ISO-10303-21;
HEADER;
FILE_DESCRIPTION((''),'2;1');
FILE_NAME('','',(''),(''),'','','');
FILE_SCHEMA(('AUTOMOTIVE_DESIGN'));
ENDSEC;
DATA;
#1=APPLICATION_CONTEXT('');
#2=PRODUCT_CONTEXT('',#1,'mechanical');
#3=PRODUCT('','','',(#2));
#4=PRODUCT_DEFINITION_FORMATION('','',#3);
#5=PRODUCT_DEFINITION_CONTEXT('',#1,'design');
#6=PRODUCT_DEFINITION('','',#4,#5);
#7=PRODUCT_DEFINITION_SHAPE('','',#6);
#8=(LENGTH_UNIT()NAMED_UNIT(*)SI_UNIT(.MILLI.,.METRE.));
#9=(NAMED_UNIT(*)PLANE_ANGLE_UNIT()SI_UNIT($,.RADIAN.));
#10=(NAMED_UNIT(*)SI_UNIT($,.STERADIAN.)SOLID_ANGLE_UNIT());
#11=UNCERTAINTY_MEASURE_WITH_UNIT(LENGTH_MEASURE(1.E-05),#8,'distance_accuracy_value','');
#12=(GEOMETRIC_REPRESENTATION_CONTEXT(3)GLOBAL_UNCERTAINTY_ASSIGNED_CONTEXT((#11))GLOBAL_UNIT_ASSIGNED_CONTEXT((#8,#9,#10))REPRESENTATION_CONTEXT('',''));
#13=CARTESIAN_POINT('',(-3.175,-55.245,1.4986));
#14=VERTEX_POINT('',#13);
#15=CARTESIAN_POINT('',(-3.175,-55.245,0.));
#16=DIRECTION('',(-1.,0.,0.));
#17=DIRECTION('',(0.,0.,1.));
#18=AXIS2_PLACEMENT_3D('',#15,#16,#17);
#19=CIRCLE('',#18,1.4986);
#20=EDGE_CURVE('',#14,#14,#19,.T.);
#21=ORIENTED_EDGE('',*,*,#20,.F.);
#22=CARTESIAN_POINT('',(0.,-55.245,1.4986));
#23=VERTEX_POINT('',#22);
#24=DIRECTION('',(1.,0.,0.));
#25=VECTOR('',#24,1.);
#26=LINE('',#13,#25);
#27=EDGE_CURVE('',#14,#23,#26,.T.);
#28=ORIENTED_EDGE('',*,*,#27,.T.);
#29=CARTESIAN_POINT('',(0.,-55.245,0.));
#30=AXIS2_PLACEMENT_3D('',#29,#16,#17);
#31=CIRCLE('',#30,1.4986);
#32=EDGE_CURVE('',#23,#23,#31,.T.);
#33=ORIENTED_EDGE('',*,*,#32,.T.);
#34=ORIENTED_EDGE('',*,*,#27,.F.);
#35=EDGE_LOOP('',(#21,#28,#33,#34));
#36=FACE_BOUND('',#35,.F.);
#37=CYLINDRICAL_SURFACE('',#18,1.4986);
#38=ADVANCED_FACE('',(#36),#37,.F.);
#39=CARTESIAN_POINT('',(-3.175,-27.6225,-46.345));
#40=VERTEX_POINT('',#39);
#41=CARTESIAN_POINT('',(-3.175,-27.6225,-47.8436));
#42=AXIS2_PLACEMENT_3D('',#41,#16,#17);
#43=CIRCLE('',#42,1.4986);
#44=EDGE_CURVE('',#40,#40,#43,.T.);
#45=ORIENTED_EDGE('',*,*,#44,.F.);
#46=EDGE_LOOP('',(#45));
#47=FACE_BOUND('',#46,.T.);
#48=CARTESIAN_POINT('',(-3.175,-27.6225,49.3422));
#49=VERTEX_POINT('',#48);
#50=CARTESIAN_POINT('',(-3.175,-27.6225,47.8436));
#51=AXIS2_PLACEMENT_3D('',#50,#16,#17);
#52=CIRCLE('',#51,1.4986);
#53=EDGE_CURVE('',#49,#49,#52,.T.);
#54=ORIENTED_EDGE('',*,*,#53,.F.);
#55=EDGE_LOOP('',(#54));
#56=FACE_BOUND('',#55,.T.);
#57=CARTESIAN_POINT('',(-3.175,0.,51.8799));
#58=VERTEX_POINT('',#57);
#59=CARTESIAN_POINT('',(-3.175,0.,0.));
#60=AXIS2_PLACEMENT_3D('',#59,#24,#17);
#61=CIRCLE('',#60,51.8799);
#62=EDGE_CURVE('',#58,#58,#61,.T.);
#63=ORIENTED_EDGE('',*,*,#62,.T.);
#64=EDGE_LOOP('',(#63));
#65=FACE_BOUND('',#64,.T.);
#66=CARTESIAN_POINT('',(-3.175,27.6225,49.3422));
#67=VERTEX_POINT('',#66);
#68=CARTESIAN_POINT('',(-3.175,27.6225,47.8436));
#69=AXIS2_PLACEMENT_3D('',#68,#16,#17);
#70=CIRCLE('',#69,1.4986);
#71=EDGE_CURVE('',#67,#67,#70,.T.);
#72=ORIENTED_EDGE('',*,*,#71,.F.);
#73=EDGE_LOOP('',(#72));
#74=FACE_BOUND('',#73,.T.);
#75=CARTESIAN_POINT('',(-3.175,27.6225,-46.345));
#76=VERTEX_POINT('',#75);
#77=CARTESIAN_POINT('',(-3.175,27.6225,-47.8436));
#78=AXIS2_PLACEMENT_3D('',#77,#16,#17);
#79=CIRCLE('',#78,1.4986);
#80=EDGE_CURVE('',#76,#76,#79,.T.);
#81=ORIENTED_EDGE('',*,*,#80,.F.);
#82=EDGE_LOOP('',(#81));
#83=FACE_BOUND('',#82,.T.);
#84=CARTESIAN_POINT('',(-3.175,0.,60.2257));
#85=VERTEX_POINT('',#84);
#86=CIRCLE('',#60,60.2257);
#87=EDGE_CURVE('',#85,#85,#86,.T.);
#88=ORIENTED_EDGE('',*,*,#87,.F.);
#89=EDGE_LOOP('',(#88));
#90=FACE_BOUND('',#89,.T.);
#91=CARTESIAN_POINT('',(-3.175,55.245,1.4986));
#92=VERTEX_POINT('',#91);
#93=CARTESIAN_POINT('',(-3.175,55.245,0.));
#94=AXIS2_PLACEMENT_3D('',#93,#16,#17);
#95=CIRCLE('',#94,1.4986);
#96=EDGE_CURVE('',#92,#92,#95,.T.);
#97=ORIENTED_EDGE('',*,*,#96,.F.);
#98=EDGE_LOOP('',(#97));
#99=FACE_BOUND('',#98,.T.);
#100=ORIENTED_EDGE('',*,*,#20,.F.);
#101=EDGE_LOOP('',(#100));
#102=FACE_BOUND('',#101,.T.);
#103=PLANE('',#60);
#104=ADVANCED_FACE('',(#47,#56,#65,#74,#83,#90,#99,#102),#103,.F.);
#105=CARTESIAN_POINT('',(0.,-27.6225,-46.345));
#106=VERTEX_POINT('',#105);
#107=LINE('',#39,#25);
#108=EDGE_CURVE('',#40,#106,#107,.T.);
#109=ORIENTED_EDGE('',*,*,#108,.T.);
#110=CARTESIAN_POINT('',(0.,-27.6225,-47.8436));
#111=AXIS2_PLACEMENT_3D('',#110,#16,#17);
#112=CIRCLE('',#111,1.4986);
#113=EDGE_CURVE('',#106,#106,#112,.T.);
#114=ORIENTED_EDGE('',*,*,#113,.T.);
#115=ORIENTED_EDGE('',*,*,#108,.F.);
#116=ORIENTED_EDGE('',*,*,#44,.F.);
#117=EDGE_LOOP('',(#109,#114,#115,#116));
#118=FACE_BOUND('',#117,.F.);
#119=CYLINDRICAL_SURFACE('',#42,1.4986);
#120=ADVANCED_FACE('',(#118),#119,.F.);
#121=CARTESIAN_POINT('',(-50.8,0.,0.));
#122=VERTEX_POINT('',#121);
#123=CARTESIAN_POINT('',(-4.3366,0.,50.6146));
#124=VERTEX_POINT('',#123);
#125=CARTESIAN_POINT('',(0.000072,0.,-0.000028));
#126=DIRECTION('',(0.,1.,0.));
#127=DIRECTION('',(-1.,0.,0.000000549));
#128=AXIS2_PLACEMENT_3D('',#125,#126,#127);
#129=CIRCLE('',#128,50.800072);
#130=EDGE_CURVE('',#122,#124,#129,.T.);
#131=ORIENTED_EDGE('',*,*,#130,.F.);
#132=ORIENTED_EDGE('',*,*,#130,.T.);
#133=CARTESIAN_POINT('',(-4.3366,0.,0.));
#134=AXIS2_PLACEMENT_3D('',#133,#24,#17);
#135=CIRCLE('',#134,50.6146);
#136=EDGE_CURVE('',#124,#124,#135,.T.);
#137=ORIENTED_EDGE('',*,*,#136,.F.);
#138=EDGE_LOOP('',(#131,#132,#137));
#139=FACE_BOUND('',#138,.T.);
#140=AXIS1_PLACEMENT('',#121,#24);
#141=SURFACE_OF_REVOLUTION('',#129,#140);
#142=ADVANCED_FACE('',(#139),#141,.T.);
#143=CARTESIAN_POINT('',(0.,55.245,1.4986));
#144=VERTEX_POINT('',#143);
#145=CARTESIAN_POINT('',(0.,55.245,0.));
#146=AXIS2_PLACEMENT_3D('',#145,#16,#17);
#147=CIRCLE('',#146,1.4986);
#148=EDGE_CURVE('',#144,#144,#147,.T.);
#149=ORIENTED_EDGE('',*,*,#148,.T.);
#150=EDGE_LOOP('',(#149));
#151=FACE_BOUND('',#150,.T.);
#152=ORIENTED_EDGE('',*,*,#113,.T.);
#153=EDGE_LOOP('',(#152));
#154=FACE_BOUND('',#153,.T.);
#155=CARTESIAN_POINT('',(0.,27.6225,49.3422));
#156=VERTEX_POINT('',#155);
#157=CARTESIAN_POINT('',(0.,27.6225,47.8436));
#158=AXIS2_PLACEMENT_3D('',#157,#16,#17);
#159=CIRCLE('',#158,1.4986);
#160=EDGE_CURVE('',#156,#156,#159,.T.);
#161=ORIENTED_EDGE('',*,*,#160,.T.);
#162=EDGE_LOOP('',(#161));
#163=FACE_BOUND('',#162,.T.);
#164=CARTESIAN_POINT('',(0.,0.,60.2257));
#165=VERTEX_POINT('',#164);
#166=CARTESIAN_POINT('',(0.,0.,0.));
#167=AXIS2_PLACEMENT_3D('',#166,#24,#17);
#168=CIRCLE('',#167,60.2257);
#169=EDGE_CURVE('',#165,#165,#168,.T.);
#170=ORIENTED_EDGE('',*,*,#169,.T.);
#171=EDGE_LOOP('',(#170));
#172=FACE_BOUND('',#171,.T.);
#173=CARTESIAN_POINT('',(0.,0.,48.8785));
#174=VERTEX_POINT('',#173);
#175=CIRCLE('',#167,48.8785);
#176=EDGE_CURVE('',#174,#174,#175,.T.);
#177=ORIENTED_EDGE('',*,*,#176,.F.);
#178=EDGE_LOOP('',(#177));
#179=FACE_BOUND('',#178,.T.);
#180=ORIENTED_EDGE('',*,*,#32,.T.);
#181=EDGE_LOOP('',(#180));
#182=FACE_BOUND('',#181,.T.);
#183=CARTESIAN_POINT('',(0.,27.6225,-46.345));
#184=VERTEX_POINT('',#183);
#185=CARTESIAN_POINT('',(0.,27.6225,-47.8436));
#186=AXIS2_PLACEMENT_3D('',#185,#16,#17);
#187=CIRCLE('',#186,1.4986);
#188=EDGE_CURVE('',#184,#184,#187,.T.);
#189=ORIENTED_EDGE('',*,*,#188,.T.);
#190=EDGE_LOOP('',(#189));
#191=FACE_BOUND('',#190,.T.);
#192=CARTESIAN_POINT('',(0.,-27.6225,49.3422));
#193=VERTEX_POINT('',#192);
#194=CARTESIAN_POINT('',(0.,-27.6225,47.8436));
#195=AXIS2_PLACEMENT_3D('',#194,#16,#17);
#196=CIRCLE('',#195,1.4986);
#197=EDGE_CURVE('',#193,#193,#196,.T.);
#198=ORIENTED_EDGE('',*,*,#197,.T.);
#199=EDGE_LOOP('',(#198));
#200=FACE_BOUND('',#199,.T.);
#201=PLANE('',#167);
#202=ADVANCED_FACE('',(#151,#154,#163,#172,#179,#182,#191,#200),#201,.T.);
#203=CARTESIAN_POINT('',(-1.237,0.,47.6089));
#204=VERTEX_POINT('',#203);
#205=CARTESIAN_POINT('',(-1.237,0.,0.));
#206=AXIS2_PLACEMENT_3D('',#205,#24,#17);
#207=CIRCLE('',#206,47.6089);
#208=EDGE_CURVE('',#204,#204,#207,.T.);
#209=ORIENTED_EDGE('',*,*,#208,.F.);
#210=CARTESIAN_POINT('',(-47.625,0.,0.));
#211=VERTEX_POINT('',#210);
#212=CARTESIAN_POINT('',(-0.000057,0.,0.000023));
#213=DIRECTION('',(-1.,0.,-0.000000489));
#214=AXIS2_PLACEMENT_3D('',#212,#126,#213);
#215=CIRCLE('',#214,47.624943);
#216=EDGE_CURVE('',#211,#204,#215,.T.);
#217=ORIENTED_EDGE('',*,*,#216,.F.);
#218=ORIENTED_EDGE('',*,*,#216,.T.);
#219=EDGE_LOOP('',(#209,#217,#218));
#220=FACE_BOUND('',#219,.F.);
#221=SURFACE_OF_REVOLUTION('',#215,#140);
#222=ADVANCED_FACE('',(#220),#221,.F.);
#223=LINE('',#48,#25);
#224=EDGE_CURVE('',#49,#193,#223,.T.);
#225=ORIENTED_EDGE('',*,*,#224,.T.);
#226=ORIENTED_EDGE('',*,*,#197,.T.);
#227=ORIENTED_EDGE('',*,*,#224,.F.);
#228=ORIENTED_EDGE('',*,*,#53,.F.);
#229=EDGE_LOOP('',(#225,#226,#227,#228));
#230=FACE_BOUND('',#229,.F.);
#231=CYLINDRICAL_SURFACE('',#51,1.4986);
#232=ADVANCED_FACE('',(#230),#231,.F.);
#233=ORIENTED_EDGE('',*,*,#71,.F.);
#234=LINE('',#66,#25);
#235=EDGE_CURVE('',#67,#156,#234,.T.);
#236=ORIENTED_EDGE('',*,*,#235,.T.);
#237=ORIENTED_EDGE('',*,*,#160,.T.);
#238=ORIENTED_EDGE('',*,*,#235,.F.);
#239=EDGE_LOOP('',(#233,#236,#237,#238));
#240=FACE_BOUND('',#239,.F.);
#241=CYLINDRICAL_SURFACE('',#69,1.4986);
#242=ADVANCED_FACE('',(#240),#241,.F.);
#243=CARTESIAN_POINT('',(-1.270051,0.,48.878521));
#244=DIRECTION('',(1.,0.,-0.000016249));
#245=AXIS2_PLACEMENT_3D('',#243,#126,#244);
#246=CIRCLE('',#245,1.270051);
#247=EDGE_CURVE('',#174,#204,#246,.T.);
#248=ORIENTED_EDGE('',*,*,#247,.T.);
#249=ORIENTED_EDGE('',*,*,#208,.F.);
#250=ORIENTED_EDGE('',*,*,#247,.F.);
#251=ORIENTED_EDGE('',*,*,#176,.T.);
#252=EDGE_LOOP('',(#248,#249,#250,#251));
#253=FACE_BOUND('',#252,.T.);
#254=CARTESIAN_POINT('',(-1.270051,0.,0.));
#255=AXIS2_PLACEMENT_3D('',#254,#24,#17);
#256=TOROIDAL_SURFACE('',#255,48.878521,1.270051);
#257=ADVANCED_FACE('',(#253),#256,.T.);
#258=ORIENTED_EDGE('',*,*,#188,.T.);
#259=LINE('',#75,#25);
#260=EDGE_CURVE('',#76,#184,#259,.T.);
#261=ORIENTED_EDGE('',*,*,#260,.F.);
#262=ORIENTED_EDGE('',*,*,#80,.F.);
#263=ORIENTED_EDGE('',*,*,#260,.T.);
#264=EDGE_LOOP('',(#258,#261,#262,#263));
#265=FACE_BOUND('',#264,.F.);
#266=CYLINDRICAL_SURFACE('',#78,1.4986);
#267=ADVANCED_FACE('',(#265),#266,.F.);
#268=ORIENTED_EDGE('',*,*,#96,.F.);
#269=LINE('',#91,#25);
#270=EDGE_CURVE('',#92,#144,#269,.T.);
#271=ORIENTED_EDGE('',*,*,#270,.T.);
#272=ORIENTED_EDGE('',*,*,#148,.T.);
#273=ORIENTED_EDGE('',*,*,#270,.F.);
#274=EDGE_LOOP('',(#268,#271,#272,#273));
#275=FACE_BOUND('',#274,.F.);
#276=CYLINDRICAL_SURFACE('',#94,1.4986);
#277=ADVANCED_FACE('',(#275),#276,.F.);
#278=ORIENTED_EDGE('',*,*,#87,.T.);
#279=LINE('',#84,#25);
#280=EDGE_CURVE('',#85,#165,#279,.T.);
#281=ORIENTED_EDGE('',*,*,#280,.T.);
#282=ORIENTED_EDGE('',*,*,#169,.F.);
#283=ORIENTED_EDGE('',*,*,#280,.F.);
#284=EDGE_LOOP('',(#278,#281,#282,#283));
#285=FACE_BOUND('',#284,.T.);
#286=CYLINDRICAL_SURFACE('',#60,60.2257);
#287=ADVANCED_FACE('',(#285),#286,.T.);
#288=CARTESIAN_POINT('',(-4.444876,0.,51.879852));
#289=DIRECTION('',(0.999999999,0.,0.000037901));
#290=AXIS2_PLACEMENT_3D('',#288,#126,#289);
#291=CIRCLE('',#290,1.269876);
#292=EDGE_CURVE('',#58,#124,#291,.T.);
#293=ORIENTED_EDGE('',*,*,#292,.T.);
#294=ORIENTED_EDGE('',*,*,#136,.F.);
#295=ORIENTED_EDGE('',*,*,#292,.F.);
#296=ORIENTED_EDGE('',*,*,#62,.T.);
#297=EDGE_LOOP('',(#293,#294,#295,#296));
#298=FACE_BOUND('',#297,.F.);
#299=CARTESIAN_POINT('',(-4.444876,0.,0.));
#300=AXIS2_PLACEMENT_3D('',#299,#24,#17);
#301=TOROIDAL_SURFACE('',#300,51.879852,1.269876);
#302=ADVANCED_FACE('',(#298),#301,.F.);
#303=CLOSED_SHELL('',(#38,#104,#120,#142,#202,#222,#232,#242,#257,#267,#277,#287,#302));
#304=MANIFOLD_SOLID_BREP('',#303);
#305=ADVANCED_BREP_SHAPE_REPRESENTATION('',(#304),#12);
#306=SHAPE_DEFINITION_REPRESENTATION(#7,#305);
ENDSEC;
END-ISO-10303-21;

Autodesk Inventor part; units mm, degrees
ref_plane "YZ Plane" through (0, 0, 0) normal (1, 0, 0) x (0, 1, 0)
ref_plane "XZ Plane" through (0, 0, 0) normal (0, 1, 0) x (-1, 0, 0)
ref_plane "XY Plane" through (0, 0, 0) normal (0, 0, 1) x (1, 0, 0)
sketch "Sketch1" plane through (0, 0, 0) normal (0, 1, 0) x (-1, 0, 0)
  arc A0 (50.8, 0) -> (4.3366, 50.6146) centre (0, 0) ccw
  line L0 (3.175, 51.8799) -> (3.175, 60.2257)
  line L1 (0, 60.2257) -> (0, 48.8785)
  arc A1 (47.625, 0) -> (1.237, 47.6089) centre (0, 0) ccw
  line L2 (3.175, 60.2257) -> (0, 60.2257)
  line L3 (50.8, 0) -> (47.6207, 0)
  line L4 (0, 47.625) -> (0, -34.2701) construction
  line L5 (50.8, 0) -> (0, 0) construction
  arc A2 (3.175, 51.8799) -> (4.3366, 50.6146) centre (4.445, 51.8799) ccw
  arc A3 (0, 48.8785) -> (1.237, 47.6089) centre (1.27, 48.8785) ccw
  point P0 (3.175, 50.7007)
  dimension "d5" = 3.175
  dimension "d20" = 3.175
  dimension "d22" = 9.525
  dimension "d23" = 50.8
  dimension "d24" = 1.27
revolve "Revolution1" add sketch "Sketch1" angle 360 about axis through (-50.8, 0, 0) along (1, 0, 0)
sketch "Sketch2" plane through (-3.175, 0, 0) normal (-1, 0, 0) x (0, 0, 1)
  circle A0 centre (0, 55.245) radius 1.4986
  circle A1 centre (0, 0) radius 50.7007 projected
  circle A2 centre (-47.8436, 27.6225) radius 1.4986
  circle A3 centre (-47.8436, -27.6225) radius 1.4986
  circle A4 centre (0, -55.245) radius 1.4986
  circle A5 centre (47.8436, -27.6225) radius 1.4986
  circle A6 centre (47.8436, 27.6225) radius 1.4986
  point P0 (0, 0)
  dimension "d10" = 2.9972
  dimension "d12" = 55.245
  dimension "d15" = 360
extrude "Extrusion1" cut sketch "Sketch2" against normal blind 254 contours A0 | A2 | A3 | A4 | A5 | A6
properties part number "ROV Dome 4''"
